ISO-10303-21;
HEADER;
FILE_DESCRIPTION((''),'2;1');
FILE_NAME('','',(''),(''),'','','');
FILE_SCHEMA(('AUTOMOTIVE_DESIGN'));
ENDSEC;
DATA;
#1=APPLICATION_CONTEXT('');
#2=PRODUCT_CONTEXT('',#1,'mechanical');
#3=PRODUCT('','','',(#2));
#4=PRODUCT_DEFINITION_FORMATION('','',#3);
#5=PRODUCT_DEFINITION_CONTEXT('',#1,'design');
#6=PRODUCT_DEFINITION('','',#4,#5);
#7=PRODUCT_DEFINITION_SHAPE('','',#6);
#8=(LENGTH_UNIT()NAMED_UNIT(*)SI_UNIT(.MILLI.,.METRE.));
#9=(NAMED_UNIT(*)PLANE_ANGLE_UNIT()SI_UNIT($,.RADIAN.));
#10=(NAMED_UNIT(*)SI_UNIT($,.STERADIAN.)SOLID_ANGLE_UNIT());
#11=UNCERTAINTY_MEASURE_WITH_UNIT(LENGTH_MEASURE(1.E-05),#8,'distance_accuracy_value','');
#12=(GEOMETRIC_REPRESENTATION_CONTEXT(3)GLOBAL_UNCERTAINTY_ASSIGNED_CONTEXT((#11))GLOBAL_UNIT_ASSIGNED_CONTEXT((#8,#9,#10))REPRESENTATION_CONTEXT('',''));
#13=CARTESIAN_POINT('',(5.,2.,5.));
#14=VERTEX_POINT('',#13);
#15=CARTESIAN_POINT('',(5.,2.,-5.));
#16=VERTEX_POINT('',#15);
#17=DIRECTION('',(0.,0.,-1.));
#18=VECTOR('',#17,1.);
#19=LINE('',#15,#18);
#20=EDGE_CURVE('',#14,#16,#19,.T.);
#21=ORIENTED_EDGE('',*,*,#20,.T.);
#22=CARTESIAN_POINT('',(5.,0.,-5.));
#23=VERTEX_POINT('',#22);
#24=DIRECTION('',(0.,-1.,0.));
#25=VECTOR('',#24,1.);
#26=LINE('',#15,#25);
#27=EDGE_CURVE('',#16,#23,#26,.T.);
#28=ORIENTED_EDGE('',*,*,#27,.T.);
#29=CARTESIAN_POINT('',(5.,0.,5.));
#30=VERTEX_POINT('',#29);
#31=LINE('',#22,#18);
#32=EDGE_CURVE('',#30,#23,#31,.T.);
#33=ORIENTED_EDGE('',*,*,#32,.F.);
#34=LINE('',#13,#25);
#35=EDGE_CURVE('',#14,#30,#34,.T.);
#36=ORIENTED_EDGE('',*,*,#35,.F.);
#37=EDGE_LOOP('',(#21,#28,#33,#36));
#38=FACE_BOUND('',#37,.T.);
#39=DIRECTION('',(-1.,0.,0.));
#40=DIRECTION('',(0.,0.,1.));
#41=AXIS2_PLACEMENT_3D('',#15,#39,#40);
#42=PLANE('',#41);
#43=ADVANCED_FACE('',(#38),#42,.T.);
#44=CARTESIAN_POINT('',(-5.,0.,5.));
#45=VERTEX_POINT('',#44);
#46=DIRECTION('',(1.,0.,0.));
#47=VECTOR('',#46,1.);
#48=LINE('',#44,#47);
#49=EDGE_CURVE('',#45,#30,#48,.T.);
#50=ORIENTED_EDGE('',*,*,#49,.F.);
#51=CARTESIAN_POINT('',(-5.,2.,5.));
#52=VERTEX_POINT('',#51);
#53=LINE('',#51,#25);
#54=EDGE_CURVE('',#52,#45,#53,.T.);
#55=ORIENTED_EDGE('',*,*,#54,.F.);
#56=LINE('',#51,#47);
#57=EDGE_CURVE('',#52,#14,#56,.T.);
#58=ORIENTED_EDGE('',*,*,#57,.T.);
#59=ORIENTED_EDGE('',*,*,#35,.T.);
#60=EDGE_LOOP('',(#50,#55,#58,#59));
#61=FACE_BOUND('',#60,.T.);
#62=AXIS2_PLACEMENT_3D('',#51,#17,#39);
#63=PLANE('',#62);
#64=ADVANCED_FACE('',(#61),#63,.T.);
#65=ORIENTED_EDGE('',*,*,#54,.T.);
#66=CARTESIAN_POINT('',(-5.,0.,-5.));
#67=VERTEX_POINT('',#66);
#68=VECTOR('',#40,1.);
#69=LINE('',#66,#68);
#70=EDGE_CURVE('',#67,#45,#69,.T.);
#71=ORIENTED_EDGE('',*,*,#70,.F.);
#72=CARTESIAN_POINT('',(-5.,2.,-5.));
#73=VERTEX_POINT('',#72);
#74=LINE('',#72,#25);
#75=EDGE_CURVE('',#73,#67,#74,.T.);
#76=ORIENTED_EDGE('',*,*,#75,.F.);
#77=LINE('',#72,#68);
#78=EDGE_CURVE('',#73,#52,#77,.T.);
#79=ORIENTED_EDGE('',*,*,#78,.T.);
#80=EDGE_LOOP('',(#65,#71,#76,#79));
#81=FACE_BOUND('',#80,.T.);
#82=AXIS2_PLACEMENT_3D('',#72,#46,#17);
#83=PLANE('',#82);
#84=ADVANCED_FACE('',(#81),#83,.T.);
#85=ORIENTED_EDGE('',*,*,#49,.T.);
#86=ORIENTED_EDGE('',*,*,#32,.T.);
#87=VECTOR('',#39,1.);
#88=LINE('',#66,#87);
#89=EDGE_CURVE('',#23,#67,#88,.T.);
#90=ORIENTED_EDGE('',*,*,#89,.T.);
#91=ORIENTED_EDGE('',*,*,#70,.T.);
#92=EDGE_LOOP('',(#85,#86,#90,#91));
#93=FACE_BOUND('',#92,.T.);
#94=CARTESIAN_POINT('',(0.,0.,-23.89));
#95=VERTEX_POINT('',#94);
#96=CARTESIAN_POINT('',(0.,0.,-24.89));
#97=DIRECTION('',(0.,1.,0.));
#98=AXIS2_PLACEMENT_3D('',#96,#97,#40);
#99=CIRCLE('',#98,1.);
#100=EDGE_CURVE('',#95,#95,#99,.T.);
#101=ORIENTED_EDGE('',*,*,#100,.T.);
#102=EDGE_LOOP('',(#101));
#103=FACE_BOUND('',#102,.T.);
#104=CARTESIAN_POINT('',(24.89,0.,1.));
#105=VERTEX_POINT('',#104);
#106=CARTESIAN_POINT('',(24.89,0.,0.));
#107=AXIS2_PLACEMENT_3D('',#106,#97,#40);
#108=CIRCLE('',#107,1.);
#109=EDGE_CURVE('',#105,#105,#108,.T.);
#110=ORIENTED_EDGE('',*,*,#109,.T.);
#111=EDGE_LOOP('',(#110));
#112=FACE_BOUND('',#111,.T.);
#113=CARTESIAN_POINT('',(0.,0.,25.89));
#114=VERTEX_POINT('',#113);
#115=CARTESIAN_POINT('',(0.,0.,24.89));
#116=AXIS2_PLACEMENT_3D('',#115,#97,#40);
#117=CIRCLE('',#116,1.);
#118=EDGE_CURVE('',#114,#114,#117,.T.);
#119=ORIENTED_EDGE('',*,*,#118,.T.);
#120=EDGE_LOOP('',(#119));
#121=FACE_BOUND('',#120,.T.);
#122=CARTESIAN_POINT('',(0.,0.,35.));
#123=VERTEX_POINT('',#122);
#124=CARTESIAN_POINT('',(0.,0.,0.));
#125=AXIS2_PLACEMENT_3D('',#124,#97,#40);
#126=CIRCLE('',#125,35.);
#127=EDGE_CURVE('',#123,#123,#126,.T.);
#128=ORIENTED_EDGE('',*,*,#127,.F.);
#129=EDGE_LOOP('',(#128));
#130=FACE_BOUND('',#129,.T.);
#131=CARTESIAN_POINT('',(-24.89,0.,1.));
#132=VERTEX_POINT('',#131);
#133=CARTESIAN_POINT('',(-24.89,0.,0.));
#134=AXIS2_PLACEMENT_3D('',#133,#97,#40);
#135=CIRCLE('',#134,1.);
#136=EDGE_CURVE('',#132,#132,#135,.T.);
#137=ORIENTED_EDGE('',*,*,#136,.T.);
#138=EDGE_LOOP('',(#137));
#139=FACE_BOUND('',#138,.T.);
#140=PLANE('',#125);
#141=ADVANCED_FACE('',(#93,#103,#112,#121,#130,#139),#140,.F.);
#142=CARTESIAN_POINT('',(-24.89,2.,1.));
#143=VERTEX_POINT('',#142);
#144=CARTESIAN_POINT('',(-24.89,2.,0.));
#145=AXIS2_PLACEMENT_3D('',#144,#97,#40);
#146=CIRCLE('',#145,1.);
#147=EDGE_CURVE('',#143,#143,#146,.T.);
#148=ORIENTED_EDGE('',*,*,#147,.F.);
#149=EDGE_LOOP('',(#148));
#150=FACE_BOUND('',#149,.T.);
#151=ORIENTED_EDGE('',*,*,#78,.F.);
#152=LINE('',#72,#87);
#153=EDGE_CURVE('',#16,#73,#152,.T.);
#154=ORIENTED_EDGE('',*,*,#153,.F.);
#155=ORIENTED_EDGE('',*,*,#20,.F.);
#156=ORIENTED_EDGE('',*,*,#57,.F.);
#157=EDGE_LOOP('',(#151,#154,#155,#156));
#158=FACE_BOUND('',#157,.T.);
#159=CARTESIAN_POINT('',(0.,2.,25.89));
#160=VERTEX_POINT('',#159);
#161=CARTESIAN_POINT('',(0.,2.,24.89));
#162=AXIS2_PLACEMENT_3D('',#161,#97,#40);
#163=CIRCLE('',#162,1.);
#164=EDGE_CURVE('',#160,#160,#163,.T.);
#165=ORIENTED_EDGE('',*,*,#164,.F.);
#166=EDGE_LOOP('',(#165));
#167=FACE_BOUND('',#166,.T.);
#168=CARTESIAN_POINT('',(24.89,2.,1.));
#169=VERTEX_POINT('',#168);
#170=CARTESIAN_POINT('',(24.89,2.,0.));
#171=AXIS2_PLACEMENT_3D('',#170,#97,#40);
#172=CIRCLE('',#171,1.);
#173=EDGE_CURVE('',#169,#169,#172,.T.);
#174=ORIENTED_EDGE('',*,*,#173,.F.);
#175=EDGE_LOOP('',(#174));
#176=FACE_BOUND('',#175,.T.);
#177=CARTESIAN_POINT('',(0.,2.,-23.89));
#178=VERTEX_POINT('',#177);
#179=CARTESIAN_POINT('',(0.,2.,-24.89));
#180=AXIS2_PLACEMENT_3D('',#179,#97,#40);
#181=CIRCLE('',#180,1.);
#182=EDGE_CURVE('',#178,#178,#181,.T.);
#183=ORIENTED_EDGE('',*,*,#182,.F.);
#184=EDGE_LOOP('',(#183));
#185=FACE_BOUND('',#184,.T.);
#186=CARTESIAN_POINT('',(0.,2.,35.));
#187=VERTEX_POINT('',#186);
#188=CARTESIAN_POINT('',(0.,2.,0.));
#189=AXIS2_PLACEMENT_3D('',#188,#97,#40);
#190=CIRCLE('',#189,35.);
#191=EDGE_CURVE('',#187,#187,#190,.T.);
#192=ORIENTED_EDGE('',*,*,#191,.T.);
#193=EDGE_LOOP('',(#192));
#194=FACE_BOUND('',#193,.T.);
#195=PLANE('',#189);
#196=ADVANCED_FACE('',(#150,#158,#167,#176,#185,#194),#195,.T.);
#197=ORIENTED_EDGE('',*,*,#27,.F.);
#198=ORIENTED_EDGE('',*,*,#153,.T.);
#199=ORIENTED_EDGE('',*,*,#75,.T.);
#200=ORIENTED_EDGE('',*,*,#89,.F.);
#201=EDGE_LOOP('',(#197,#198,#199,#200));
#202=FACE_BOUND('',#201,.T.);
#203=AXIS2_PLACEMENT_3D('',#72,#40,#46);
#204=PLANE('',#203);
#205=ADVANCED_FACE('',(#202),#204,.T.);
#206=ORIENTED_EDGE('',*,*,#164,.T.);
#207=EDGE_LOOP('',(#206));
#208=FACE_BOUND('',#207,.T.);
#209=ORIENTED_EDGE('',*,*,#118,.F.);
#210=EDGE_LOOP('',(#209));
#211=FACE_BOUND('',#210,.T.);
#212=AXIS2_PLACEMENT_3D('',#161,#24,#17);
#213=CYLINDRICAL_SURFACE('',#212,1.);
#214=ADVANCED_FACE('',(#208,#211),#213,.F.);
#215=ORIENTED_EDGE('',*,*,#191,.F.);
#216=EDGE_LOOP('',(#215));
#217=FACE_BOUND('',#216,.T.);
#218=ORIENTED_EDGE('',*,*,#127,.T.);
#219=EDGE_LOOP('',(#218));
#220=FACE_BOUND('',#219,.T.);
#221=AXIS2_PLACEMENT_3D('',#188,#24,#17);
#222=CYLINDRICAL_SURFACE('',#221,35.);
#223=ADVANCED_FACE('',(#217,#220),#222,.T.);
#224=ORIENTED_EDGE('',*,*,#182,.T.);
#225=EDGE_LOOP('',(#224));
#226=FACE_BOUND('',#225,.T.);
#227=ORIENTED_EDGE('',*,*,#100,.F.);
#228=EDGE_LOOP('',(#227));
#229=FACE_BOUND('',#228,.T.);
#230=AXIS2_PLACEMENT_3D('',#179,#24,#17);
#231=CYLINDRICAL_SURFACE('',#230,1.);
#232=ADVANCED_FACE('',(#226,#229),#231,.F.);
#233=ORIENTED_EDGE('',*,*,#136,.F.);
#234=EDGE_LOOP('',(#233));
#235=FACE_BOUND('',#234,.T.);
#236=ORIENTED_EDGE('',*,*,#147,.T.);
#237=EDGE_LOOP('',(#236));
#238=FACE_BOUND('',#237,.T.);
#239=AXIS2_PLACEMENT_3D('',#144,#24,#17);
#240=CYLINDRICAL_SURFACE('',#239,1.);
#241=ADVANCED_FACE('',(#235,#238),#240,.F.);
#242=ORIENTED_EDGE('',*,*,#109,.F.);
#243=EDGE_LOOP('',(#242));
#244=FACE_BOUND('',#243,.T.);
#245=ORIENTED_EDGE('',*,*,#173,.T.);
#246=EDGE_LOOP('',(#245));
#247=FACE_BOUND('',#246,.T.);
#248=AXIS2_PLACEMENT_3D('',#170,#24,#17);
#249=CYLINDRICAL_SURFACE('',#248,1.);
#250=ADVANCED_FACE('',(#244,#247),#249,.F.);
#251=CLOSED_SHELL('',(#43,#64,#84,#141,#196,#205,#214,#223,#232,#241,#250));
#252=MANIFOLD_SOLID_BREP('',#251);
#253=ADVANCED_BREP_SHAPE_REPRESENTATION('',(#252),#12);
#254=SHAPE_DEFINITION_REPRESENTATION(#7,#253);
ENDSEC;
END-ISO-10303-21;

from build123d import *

# Parameters (mm, degrees)
SKETCH1_R           = 35
SKETCH1_R_2         = 1
SKETCH1_W           = 10
SKETCH1_H           = 10
BOSS_EXTRUDE1_DEPTH = 2


with BuildPart() as part:
    # Sketch1 → Boss-Extrude1 (new body)
    with BuildSketch(Plane(origin=(0, 0, 0), x_dir=(1, 0, 0), z_dir=(0, 1, 0))):
        Circle(SKETCH1_R)
        with Locations((0, 24.89)):
            Circle(SKETCH1_R_2, mode=Mode.SUBTRACT)
        with Locations((24.89, 0)):
            Circle(SKETCH1_R_2, mode=Mode.SUBTRACT)
        with Locations((0, -24.89)):
            Circle(SKETCH1_R_2, mode=Mode.SUBTRACT)
        with Locations((-24.89, 0)):
            Circle(SKETCH1_R_2, mode=Mode.SUBTRACT)
        Rectangle(SKETCH1_W, SKETCH1_H, mode=Mode.SUBTRACT)
    extrude(amount=BOSS_EXTRUDE1_DEPTH)


solid = part.part
